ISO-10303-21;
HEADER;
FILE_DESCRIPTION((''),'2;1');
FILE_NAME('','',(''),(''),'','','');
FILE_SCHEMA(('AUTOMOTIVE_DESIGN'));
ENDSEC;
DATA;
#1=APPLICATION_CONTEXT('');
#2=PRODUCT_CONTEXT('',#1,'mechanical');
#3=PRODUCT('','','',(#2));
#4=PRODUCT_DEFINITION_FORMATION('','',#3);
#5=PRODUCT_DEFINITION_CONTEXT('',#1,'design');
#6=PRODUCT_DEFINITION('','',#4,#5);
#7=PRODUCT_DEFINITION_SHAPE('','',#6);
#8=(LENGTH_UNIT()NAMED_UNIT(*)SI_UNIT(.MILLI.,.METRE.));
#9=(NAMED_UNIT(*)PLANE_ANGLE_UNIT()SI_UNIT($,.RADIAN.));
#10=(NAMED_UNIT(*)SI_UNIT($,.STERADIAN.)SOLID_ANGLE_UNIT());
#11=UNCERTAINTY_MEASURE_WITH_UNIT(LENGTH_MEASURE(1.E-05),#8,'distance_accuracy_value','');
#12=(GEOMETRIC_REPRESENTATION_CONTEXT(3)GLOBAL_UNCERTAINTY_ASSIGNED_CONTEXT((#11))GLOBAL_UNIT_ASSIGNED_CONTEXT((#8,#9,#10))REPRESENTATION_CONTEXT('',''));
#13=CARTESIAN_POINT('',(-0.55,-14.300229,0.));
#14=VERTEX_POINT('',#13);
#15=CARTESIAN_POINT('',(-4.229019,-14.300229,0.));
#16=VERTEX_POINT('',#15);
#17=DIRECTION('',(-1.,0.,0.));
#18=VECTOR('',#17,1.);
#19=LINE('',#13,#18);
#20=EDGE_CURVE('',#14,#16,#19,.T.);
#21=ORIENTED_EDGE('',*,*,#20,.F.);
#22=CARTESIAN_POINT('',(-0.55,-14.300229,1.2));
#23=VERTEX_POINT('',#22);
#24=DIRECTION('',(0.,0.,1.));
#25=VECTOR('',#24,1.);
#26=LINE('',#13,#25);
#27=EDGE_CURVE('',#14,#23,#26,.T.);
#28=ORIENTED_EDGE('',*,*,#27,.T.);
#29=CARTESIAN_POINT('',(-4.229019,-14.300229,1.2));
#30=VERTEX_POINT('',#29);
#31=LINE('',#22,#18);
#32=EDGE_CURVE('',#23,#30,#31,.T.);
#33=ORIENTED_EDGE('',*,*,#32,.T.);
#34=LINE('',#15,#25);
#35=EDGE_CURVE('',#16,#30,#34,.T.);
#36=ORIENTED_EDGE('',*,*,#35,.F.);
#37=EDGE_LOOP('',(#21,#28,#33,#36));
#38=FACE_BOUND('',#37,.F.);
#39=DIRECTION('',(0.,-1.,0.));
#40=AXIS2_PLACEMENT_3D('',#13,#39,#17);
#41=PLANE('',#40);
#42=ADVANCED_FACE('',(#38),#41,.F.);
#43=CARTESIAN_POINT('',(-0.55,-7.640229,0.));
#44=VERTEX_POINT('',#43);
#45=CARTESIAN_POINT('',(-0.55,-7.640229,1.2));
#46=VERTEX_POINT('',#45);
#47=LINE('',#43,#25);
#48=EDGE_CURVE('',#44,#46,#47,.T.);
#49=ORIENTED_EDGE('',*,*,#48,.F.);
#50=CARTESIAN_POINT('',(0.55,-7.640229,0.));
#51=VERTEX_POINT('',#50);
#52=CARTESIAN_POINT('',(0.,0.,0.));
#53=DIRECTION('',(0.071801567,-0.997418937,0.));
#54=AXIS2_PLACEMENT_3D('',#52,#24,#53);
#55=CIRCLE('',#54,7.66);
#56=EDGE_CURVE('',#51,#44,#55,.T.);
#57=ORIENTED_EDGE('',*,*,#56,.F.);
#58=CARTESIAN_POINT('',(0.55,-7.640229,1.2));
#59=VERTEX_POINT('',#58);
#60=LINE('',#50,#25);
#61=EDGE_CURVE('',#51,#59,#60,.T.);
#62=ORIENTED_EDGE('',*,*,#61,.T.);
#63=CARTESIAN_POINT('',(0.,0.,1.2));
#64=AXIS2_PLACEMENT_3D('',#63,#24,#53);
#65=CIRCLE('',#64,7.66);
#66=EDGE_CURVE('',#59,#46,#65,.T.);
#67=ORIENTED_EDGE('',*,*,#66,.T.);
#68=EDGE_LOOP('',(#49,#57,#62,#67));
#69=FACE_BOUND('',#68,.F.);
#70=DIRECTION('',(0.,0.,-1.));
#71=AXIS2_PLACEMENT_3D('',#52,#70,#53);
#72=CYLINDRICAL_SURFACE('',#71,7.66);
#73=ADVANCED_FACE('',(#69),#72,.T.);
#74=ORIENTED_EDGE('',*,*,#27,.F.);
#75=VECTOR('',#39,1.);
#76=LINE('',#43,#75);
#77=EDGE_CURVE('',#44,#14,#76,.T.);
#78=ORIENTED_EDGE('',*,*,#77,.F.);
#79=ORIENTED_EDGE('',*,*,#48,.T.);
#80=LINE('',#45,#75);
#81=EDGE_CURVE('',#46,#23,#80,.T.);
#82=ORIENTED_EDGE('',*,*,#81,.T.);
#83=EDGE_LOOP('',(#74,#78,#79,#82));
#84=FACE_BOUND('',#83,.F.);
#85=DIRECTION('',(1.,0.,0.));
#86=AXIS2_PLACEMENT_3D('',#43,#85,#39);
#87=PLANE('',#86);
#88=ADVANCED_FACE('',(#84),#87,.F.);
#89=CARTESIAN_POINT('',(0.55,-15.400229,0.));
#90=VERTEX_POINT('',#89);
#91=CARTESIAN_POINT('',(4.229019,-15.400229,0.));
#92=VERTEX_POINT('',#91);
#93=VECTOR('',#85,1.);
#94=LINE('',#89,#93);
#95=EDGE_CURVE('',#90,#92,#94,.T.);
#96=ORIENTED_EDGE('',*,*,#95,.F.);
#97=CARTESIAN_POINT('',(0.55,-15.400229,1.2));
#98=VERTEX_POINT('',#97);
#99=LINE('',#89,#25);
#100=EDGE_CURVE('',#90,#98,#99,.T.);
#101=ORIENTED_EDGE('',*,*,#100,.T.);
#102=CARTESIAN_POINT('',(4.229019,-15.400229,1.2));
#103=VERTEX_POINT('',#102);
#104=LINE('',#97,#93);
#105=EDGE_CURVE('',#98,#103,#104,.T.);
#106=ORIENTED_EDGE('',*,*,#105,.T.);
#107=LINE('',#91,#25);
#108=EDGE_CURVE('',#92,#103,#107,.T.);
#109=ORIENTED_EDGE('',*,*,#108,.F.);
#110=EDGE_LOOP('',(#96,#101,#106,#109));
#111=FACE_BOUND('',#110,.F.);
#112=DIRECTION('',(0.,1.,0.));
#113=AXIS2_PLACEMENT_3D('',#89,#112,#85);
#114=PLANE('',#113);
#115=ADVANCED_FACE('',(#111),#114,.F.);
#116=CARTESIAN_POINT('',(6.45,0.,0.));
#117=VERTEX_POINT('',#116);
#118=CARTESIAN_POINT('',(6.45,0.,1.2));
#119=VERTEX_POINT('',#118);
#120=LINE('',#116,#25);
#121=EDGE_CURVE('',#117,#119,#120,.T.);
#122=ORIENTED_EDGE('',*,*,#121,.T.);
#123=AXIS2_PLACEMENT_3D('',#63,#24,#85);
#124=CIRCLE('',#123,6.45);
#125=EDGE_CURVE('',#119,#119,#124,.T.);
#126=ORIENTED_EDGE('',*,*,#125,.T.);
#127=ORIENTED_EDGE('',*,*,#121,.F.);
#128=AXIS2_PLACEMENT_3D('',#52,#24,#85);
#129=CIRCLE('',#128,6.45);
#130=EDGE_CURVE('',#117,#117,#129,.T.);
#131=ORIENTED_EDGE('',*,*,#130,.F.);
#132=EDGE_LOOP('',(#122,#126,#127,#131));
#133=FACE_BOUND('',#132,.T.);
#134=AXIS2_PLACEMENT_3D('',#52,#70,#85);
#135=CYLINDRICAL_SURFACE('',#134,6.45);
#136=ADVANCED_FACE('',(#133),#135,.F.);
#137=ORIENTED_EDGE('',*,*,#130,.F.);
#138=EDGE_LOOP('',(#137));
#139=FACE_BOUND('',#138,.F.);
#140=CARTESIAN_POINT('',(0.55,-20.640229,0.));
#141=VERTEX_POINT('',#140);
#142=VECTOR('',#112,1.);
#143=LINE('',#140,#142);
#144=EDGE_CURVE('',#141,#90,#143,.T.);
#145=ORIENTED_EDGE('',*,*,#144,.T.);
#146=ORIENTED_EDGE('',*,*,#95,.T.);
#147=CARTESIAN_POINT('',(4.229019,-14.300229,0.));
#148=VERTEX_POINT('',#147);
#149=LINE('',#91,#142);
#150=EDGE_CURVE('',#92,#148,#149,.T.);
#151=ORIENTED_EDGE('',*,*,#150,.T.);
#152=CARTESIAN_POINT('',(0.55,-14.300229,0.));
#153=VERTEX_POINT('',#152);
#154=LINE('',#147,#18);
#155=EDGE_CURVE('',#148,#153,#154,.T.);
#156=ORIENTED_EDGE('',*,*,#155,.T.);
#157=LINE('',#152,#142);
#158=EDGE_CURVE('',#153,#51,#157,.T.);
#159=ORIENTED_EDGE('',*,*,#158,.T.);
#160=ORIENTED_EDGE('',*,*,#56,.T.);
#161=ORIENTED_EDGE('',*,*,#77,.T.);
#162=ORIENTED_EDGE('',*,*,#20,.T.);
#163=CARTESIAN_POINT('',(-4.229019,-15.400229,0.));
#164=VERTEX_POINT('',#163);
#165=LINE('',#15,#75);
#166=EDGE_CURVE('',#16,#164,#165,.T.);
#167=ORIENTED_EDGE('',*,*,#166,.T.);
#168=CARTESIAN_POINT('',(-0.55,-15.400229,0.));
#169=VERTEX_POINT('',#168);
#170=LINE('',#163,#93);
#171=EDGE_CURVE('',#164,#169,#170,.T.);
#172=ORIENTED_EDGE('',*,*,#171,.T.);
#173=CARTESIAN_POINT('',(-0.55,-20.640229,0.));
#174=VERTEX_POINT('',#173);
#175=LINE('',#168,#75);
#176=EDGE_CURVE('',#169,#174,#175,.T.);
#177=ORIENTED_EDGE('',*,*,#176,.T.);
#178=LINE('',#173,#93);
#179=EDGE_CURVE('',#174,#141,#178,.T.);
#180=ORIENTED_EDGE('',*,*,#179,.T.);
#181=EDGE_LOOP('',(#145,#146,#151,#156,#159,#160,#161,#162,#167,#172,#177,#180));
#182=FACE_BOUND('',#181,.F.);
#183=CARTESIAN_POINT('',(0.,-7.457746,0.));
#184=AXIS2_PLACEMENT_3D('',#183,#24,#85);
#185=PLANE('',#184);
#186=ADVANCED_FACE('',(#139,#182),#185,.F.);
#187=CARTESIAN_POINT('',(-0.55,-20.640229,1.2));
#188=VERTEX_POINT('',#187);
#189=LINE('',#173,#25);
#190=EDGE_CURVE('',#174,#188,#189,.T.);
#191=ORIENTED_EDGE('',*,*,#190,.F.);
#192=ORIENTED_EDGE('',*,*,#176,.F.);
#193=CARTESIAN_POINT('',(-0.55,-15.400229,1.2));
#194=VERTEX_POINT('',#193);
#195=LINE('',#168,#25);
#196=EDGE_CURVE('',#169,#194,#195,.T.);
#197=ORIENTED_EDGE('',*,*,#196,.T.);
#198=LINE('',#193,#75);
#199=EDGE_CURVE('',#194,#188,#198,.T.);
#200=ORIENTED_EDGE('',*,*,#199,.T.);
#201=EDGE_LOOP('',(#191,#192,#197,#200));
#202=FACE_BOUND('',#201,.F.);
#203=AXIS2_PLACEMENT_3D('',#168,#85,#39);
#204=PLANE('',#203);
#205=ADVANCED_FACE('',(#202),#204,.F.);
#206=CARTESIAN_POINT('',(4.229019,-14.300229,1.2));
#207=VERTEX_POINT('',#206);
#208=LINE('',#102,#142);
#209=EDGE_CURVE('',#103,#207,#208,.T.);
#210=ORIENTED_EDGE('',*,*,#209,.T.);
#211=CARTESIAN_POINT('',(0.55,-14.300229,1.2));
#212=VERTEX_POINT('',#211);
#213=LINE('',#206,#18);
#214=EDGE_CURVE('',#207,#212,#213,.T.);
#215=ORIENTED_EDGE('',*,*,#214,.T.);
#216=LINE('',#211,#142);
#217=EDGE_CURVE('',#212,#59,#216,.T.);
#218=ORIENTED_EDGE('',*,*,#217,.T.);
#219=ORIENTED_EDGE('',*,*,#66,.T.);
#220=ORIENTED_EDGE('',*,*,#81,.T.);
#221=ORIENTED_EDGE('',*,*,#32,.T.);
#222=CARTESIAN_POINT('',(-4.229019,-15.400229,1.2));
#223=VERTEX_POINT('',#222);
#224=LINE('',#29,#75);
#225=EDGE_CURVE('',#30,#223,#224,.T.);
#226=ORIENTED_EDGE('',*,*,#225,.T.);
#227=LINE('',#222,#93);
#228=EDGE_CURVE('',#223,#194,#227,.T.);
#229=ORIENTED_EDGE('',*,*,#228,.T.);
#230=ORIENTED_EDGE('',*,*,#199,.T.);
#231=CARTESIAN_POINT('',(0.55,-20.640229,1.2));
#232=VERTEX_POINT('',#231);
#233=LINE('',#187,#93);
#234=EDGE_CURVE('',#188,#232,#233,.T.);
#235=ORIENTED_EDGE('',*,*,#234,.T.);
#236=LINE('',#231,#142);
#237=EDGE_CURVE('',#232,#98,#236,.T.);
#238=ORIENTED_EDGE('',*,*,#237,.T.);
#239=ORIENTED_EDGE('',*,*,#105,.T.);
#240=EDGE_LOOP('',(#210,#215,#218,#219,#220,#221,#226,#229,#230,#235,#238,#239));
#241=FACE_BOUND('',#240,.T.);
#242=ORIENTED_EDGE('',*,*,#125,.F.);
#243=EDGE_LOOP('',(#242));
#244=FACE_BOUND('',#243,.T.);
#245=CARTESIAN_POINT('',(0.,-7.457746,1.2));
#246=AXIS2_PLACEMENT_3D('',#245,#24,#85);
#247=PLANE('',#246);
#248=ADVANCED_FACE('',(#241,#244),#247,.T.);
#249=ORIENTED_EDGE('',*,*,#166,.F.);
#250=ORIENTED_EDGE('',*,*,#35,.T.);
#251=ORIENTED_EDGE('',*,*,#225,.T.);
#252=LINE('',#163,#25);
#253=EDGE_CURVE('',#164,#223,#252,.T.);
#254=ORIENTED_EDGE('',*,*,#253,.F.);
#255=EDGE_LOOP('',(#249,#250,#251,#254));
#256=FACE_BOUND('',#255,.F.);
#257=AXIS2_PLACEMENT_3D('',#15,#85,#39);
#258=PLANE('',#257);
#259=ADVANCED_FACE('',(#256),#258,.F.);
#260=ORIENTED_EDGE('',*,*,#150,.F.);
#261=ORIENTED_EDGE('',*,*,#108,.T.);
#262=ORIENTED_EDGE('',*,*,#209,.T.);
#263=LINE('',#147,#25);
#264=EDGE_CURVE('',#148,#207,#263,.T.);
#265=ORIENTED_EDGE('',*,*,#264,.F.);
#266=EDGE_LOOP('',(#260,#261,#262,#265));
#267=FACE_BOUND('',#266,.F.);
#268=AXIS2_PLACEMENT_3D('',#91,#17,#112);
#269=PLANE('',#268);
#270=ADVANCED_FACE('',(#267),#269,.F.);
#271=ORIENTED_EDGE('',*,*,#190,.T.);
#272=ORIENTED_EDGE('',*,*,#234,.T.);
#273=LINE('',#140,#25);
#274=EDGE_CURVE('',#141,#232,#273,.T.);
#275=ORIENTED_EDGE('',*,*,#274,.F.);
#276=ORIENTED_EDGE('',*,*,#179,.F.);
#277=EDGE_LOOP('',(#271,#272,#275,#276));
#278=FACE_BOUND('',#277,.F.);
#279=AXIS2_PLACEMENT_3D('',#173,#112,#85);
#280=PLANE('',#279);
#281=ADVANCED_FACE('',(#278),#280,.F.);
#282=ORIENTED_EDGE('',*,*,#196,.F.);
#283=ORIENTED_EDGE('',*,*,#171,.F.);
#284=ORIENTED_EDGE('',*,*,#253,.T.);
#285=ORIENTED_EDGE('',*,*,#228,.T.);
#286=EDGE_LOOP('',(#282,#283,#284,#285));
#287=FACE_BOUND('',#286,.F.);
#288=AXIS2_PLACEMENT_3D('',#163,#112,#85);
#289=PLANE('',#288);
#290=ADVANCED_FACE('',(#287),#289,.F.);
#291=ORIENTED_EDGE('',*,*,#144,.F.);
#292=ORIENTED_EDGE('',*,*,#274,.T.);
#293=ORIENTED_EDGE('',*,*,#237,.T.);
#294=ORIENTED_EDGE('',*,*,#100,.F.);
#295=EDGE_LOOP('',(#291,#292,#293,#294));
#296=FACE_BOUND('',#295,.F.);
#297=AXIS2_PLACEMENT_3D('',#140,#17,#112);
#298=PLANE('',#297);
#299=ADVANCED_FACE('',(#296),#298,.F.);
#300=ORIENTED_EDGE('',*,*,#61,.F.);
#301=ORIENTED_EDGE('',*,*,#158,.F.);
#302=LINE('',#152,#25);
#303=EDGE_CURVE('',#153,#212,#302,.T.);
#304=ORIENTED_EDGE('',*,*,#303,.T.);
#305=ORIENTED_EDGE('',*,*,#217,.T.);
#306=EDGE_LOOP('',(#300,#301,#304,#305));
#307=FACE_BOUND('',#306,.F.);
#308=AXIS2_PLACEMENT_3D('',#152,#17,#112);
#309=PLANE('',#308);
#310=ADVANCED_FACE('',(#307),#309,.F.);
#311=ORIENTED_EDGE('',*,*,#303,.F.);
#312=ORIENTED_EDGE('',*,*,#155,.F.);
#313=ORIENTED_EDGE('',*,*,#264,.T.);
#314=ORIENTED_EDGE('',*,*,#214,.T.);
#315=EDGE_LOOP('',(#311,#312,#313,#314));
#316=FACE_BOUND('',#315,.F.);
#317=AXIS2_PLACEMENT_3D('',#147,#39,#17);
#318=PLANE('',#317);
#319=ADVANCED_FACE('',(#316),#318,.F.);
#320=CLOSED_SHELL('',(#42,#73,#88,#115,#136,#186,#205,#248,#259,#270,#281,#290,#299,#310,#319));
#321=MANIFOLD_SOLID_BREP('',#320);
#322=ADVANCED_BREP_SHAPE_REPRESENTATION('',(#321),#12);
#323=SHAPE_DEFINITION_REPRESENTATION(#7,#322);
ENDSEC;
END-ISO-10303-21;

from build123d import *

# Parameters (mm, degrees)
F0_R     = 6.45
F1_DEPTH = 1.2


with BuildPart() as f1:
    # F0 (on Top) → F1 (new body)
    with BuildSketch(Plane.XY):
        with BuildLine():
            Line((0.55, -14.300229), (0.55, -7.640229))
            ThreePointArc((0.55, -7.640229), (0, 7.66), (-0.55, -7.640229))
            Line((-0.55, -7.640229), (-0.55, -14.300229))
            Line((-0.55, -14.300229), (-4.229019, -14.300229))
            Line((-4.229019, -14.300229), (-4.229019, -15.400229))
            Line((-4.229019, -15.400229), (-0.55, -15.400229))
            Line((-0.55, -15.400229), (-0.55, -20.640229))
            Line((-0.55, -20.640229), (0.55, -20.640229))
            Line((0.55, -20.640229), (0.55, -15.400229))
            Line((0.55, -15.400229), (4.229019, -15.400229))
            Line((4.229019, -15.400229), (4.229019, -14.300229))
            Line((4.229019, -14.300229), (0.55, -14.300229))
        make_face()
        Circle(F0_R, mode=Mode.SUBTRACT)
    extrude(amount=F1_DEPTH)


solid = f1.part
